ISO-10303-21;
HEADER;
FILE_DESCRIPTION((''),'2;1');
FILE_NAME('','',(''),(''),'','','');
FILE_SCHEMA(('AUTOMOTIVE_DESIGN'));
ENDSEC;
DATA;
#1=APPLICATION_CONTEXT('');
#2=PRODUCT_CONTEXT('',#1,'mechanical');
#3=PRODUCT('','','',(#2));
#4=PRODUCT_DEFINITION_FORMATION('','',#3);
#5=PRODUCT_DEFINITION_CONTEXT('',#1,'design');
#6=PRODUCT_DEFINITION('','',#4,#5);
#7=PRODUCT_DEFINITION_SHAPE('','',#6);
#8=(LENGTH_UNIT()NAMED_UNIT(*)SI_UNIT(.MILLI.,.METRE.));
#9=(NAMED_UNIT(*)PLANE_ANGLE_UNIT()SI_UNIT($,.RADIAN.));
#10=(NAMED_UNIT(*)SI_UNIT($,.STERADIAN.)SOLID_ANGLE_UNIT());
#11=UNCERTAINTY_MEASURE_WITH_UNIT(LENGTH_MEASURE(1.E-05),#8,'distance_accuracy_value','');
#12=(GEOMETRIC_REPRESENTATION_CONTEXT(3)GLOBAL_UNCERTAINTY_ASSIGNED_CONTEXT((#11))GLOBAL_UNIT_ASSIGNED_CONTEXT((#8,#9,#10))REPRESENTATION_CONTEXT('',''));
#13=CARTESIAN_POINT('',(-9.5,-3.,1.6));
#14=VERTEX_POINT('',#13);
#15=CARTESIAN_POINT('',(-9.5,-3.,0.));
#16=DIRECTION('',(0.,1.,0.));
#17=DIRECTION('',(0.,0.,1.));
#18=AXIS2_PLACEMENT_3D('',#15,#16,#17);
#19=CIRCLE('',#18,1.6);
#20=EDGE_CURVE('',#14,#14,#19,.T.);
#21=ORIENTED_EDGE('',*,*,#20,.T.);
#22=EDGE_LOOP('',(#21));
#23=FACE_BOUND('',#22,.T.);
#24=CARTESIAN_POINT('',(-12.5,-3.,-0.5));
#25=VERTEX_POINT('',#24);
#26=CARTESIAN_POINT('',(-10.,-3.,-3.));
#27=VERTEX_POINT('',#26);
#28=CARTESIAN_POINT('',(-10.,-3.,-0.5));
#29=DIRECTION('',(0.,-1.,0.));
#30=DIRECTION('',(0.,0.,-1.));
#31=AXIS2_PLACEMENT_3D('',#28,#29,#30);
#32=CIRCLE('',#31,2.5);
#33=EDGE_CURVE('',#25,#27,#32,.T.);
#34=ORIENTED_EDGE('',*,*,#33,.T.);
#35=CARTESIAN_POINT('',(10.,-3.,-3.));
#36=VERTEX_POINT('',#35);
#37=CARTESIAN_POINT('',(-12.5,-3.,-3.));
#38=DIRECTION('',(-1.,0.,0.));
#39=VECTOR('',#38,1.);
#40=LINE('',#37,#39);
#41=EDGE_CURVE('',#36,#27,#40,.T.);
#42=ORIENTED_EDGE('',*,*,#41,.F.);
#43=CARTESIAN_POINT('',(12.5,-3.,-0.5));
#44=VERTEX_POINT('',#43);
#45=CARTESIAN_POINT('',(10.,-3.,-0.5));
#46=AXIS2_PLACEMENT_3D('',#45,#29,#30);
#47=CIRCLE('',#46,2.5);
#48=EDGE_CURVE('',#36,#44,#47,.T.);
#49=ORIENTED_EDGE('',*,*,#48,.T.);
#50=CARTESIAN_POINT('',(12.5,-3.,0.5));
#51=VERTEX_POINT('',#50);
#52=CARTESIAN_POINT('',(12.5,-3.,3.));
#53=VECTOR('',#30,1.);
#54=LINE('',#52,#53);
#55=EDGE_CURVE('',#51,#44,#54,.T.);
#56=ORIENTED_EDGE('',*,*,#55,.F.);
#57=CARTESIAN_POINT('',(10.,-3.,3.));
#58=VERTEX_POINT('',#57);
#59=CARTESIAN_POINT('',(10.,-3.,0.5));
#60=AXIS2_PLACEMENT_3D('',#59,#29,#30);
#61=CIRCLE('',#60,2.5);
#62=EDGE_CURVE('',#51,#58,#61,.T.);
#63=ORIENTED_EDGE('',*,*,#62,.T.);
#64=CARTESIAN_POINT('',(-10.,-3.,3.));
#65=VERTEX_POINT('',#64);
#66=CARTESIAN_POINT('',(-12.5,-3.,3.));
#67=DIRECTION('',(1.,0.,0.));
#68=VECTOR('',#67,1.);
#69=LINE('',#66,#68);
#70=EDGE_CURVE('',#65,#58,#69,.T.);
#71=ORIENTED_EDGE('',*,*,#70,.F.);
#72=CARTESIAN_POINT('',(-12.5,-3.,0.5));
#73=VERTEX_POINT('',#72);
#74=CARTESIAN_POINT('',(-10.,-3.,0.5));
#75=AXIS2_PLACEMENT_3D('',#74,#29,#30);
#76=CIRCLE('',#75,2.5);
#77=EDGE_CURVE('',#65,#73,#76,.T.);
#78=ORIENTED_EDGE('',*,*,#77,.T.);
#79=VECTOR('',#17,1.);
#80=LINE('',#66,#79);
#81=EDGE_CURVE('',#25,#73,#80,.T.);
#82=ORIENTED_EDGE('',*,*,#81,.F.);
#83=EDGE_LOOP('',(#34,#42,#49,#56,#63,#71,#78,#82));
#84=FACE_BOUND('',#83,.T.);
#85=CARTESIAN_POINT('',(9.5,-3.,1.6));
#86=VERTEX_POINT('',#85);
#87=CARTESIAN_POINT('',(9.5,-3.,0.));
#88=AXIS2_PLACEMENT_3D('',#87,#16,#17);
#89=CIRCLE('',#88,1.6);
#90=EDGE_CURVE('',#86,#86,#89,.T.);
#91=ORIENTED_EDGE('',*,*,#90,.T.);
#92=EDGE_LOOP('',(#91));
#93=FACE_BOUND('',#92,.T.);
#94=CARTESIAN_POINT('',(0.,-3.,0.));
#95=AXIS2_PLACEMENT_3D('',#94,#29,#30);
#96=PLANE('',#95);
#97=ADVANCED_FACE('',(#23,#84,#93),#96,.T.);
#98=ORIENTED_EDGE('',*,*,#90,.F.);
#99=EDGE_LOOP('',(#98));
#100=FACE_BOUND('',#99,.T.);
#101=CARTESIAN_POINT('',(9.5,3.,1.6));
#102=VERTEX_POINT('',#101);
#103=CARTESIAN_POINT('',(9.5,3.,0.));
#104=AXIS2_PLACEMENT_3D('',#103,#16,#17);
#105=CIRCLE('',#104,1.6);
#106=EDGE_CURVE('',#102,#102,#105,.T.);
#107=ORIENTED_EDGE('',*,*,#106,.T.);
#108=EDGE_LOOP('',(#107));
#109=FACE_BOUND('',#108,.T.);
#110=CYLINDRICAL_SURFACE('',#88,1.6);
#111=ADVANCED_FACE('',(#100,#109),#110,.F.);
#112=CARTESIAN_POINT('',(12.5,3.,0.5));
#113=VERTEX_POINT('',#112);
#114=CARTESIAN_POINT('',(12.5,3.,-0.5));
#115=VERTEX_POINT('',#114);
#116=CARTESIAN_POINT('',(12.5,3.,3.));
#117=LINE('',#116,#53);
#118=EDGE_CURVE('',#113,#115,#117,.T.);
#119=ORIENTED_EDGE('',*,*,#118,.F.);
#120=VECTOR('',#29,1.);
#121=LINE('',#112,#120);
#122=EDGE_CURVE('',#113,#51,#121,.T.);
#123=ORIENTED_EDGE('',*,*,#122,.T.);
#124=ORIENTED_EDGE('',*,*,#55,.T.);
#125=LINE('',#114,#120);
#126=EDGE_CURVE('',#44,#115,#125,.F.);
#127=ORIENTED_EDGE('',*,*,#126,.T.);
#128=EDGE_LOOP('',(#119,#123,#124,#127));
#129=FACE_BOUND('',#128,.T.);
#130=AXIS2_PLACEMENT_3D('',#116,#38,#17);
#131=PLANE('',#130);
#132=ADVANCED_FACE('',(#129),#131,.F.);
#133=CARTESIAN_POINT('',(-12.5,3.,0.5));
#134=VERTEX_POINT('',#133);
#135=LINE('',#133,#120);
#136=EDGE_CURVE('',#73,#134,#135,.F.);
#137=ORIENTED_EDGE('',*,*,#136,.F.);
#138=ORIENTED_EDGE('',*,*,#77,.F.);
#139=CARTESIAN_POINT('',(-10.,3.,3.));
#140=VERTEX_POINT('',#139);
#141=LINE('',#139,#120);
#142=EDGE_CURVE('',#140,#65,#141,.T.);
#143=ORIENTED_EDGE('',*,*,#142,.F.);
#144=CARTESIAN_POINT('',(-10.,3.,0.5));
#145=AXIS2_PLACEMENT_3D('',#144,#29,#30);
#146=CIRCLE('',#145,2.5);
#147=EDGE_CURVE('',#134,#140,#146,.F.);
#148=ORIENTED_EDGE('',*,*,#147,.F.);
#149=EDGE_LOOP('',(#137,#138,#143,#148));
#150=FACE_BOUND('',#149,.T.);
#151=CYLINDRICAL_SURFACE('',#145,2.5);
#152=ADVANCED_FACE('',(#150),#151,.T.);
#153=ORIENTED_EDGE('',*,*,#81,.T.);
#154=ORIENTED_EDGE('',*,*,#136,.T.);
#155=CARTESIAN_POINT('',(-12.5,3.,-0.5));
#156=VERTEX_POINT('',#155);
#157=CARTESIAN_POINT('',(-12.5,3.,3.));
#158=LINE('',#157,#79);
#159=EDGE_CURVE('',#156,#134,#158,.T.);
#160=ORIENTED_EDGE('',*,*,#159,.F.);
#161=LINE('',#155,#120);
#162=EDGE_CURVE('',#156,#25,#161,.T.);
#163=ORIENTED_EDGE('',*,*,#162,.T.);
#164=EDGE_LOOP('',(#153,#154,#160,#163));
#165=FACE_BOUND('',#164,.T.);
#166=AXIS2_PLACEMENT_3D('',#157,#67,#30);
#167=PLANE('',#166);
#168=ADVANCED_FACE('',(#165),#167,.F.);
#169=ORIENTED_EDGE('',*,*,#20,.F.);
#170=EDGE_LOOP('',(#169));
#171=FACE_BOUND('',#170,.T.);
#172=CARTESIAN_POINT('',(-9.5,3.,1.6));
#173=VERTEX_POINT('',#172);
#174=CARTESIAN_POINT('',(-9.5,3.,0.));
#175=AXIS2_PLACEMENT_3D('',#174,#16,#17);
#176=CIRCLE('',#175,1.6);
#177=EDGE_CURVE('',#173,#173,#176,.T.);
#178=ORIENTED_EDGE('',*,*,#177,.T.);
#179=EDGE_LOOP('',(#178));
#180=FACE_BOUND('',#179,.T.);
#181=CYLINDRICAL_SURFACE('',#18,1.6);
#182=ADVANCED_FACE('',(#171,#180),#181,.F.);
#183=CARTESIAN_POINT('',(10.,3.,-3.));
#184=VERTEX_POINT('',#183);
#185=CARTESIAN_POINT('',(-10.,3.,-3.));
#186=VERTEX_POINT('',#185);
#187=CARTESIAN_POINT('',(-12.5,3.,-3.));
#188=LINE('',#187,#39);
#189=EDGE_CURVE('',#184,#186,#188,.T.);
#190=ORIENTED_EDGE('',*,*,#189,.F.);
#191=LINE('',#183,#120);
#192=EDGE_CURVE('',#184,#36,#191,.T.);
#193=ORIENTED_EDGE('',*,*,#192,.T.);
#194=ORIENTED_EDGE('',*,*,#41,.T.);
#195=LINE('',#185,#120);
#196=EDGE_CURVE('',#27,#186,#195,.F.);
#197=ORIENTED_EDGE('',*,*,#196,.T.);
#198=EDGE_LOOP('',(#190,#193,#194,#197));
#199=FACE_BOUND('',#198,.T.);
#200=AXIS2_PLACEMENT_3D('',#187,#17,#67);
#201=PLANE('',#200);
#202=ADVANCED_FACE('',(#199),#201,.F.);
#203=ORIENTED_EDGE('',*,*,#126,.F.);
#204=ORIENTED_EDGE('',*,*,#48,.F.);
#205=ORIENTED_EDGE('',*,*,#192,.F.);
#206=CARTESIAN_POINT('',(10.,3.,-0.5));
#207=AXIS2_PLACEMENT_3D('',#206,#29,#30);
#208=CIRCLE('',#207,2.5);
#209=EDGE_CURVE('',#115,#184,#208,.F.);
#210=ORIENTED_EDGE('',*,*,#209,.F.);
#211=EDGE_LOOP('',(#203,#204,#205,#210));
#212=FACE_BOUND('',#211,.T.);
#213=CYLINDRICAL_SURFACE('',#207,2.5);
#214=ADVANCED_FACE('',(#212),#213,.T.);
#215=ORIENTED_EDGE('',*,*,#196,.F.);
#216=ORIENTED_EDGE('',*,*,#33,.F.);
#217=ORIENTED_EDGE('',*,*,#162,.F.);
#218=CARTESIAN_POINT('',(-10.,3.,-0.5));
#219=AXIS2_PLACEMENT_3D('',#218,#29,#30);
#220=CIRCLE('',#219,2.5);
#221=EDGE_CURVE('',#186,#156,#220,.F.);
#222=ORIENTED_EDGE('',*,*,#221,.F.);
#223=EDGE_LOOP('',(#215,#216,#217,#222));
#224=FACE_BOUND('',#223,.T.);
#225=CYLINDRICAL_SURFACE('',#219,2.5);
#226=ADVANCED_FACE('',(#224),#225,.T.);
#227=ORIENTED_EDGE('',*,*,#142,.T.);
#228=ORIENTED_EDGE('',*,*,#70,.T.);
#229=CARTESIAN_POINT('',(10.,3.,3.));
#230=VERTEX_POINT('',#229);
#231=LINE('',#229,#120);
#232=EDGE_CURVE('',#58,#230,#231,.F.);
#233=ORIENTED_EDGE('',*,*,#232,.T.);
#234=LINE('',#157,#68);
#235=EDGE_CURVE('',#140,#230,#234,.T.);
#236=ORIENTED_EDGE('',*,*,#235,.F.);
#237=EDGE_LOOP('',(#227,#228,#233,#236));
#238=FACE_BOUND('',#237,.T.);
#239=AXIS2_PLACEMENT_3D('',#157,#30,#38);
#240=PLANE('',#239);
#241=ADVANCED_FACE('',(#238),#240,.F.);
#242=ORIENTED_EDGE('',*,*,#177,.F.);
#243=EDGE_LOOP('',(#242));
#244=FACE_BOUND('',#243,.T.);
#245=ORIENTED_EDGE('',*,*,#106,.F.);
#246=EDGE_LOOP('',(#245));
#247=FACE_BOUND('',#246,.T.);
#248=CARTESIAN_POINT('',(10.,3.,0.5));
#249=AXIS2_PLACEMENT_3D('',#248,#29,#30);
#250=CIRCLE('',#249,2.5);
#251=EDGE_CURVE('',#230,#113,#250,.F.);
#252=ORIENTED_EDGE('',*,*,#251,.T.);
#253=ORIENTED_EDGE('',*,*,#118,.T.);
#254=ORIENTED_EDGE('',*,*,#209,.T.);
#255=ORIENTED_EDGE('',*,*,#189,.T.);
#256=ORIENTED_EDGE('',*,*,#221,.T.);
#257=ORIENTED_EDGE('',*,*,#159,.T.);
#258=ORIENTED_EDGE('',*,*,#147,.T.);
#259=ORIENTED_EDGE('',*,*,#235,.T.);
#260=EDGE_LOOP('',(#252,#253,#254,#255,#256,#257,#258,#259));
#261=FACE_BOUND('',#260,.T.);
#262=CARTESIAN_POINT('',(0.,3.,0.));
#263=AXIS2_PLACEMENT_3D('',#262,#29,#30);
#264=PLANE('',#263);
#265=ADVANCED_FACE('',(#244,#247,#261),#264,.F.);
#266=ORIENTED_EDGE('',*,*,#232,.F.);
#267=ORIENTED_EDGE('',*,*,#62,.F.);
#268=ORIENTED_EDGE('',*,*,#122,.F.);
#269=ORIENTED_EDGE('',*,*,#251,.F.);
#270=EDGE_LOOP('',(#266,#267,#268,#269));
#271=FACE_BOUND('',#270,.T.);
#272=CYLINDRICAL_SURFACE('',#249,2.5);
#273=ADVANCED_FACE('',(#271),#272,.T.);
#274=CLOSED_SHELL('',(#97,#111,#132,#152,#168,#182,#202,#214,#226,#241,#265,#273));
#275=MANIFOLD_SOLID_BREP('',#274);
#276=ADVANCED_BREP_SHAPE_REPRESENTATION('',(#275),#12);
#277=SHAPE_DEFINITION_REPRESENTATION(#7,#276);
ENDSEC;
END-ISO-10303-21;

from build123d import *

# Parameters (mm, degrees)
SKETCH1_W           = 25
SKETCH1_H           = 6
BOSS_EXTRUDE1_DEPTH = 3
SKETCH2_R           = 1.6
CUT_EXTRUDE1_DEPTH  = 15.186260959
FILLET1_R           = 2.5


with BuildPart() as part:
    # Sketch1 → Boss-Extrude1 (new, symmetric)
    with BuildSketch(Plane(origin=(0, 0, 0), x_dir=(1, 0, 0), z_dir=(0, 1, 0))):
        Rectangle(SKETCH1_W, SKETCH1_H)
    extrude(amount=BOSS_EXTRUDE1_DEPTH, both=True)

    # Sketch2 → Cut-Extrude1 (cut, through all)
    with BuildSketch(Plane(origin=(0, 3, 0), x_dir=(1, 0, 0), z_dir=(0, 1, 0))):
        with Locations(Location((9.5, 0, 0), (0, 0, 270))):
            Circle(SKETCH2_R)
        with Locations(Location((-9.5, 0, 0), (0, 0, 270))):
            Circle(SKETCH2_R)
    extrude(amount=-CUT_EXTRUDE1_DEPTH, mode=Mode.SUBTRACT)

    # Fillet1
    fillet1_edges = [part.edges().sort_by_distance(p)[0] for p in [
        (12.5, 0, 3),
        (-12.5, 0, 3),
        (-12.5, 0, -3),
        (12.5, 0, -3),
    ]]
    fillet(fillet1_edges, radius=FILLET1_R)


solid = part.part
